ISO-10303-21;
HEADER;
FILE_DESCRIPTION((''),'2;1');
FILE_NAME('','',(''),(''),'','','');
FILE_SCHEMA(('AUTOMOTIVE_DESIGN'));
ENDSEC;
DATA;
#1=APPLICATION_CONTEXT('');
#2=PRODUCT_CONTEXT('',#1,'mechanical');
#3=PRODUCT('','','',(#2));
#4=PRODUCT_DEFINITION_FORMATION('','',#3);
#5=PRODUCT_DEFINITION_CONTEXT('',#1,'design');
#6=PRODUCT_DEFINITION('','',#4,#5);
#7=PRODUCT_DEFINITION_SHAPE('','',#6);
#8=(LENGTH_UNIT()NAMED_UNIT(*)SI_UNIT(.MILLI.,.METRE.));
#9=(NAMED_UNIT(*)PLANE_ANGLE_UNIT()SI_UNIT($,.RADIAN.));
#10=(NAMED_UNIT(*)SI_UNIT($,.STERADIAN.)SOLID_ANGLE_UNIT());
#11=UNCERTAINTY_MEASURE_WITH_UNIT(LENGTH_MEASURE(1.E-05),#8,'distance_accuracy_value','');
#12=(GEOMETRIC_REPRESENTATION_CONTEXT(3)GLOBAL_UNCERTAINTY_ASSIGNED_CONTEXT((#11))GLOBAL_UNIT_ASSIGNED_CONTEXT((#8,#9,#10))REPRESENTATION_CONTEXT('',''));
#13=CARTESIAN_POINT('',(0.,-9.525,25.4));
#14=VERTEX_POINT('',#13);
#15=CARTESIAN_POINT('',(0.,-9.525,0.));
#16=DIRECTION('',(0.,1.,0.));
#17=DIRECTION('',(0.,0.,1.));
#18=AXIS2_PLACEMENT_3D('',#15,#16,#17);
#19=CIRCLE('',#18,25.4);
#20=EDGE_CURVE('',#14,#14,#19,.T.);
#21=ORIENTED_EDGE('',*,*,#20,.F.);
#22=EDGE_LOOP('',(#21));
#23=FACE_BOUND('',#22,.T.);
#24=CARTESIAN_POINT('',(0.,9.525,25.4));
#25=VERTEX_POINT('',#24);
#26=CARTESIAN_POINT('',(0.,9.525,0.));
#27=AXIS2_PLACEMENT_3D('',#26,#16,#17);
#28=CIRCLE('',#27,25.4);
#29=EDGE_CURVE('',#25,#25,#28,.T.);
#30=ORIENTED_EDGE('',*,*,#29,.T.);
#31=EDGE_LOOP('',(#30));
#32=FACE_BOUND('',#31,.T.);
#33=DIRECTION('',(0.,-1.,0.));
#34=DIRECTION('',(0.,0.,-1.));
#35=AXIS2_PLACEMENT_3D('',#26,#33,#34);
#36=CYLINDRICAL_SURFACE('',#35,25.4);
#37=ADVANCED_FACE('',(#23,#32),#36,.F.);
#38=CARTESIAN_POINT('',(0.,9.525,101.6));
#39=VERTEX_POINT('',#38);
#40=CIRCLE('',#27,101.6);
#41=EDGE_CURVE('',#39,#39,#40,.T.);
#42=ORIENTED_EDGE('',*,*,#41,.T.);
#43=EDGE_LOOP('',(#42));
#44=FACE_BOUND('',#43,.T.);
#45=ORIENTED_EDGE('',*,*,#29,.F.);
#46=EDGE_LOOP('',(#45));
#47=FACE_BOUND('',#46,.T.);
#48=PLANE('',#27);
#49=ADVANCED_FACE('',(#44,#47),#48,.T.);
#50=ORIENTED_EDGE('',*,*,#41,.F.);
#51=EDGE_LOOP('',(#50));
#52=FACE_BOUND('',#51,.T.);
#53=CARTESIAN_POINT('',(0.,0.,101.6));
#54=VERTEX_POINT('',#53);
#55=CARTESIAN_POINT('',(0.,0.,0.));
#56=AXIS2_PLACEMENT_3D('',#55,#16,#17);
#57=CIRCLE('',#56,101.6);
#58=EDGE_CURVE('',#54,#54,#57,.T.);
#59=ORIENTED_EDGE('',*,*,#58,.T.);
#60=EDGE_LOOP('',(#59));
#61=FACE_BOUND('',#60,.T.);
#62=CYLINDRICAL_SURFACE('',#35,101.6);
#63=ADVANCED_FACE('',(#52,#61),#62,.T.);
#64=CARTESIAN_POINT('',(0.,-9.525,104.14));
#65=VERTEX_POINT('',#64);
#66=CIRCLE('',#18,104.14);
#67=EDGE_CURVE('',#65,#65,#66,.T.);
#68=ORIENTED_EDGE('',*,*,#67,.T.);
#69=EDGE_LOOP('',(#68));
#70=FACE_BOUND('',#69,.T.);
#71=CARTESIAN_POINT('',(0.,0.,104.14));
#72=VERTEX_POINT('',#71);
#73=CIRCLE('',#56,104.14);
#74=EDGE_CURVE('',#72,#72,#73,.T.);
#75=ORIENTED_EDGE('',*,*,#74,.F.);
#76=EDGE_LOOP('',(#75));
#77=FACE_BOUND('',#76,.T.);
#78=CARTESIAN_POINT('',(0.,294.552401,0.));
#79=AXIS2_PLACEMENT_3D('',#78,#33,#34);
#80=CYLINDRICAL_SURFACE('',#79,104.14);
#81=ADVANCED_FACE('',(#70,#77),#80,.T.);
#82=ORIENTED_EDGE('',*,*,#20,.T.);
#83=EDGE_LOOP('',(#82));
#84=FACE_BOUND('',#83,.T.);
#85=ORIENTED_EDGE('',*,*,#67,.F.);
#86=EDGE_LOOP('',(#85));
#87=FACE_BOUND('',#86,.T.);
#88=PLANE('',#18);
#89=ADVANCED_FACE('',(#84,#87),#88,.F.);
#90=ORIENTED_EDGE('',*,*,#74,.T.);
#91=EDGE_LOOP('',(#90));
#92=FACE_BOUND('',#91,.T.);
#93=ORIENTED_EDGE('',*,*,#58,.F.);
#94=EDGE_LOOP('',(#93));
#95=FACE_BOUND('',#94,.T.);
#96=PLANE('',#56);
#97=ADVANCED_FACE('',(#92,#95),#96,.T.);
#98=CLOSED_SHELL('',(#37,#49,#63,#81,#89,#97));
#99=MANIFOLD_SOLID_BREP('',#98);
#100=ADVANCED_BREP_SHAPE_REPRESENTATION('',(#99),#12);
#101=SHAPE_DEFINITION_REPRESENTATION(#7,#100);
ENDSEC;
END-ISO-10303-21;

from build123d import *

# Parameters (mm, degrees)
SKETCH1_R           = 101.6
SKETCH1_R_2         = 25.4
BOSS_EXTRUDE1_DEPTH = 9.525
SKETCH2_R           = 104.14
SKETCH2_R_2         = 101.6
BOSS_EXTRUDE2_DEPTH = 9.525


with BuildPart() as part:
    # Sketch1 → Boss-Extrude1 (new body, symmetric)
    with BuildSketch(Plane(origin=(0, 0, 0), x_dir=(1, 0, 0), z_dir=(0, 1, 0))):
        Circle(SKETCH1_R)
        Circle(SKETCH1_R_2, mode=Mode.SUBTRACT)
    extrude(amount=BOSS_EXTRUDE1_DEPTH, both=True)

    # Sketch2 → Boss-Extrude2 (add)
    with BuildSketch(Plane(origin=(0, -9.525, 0), x_dir=(1, 0, 0), z_dir=(0, 1, 0))):
        Circle(SKETCH2_R)
        Circle(SKETCH2_R_2, mode=Mode.SUBTRACT)
    extrude(amount=BOSS_EXTRUDE2_DEPTH)


solid = part.part
